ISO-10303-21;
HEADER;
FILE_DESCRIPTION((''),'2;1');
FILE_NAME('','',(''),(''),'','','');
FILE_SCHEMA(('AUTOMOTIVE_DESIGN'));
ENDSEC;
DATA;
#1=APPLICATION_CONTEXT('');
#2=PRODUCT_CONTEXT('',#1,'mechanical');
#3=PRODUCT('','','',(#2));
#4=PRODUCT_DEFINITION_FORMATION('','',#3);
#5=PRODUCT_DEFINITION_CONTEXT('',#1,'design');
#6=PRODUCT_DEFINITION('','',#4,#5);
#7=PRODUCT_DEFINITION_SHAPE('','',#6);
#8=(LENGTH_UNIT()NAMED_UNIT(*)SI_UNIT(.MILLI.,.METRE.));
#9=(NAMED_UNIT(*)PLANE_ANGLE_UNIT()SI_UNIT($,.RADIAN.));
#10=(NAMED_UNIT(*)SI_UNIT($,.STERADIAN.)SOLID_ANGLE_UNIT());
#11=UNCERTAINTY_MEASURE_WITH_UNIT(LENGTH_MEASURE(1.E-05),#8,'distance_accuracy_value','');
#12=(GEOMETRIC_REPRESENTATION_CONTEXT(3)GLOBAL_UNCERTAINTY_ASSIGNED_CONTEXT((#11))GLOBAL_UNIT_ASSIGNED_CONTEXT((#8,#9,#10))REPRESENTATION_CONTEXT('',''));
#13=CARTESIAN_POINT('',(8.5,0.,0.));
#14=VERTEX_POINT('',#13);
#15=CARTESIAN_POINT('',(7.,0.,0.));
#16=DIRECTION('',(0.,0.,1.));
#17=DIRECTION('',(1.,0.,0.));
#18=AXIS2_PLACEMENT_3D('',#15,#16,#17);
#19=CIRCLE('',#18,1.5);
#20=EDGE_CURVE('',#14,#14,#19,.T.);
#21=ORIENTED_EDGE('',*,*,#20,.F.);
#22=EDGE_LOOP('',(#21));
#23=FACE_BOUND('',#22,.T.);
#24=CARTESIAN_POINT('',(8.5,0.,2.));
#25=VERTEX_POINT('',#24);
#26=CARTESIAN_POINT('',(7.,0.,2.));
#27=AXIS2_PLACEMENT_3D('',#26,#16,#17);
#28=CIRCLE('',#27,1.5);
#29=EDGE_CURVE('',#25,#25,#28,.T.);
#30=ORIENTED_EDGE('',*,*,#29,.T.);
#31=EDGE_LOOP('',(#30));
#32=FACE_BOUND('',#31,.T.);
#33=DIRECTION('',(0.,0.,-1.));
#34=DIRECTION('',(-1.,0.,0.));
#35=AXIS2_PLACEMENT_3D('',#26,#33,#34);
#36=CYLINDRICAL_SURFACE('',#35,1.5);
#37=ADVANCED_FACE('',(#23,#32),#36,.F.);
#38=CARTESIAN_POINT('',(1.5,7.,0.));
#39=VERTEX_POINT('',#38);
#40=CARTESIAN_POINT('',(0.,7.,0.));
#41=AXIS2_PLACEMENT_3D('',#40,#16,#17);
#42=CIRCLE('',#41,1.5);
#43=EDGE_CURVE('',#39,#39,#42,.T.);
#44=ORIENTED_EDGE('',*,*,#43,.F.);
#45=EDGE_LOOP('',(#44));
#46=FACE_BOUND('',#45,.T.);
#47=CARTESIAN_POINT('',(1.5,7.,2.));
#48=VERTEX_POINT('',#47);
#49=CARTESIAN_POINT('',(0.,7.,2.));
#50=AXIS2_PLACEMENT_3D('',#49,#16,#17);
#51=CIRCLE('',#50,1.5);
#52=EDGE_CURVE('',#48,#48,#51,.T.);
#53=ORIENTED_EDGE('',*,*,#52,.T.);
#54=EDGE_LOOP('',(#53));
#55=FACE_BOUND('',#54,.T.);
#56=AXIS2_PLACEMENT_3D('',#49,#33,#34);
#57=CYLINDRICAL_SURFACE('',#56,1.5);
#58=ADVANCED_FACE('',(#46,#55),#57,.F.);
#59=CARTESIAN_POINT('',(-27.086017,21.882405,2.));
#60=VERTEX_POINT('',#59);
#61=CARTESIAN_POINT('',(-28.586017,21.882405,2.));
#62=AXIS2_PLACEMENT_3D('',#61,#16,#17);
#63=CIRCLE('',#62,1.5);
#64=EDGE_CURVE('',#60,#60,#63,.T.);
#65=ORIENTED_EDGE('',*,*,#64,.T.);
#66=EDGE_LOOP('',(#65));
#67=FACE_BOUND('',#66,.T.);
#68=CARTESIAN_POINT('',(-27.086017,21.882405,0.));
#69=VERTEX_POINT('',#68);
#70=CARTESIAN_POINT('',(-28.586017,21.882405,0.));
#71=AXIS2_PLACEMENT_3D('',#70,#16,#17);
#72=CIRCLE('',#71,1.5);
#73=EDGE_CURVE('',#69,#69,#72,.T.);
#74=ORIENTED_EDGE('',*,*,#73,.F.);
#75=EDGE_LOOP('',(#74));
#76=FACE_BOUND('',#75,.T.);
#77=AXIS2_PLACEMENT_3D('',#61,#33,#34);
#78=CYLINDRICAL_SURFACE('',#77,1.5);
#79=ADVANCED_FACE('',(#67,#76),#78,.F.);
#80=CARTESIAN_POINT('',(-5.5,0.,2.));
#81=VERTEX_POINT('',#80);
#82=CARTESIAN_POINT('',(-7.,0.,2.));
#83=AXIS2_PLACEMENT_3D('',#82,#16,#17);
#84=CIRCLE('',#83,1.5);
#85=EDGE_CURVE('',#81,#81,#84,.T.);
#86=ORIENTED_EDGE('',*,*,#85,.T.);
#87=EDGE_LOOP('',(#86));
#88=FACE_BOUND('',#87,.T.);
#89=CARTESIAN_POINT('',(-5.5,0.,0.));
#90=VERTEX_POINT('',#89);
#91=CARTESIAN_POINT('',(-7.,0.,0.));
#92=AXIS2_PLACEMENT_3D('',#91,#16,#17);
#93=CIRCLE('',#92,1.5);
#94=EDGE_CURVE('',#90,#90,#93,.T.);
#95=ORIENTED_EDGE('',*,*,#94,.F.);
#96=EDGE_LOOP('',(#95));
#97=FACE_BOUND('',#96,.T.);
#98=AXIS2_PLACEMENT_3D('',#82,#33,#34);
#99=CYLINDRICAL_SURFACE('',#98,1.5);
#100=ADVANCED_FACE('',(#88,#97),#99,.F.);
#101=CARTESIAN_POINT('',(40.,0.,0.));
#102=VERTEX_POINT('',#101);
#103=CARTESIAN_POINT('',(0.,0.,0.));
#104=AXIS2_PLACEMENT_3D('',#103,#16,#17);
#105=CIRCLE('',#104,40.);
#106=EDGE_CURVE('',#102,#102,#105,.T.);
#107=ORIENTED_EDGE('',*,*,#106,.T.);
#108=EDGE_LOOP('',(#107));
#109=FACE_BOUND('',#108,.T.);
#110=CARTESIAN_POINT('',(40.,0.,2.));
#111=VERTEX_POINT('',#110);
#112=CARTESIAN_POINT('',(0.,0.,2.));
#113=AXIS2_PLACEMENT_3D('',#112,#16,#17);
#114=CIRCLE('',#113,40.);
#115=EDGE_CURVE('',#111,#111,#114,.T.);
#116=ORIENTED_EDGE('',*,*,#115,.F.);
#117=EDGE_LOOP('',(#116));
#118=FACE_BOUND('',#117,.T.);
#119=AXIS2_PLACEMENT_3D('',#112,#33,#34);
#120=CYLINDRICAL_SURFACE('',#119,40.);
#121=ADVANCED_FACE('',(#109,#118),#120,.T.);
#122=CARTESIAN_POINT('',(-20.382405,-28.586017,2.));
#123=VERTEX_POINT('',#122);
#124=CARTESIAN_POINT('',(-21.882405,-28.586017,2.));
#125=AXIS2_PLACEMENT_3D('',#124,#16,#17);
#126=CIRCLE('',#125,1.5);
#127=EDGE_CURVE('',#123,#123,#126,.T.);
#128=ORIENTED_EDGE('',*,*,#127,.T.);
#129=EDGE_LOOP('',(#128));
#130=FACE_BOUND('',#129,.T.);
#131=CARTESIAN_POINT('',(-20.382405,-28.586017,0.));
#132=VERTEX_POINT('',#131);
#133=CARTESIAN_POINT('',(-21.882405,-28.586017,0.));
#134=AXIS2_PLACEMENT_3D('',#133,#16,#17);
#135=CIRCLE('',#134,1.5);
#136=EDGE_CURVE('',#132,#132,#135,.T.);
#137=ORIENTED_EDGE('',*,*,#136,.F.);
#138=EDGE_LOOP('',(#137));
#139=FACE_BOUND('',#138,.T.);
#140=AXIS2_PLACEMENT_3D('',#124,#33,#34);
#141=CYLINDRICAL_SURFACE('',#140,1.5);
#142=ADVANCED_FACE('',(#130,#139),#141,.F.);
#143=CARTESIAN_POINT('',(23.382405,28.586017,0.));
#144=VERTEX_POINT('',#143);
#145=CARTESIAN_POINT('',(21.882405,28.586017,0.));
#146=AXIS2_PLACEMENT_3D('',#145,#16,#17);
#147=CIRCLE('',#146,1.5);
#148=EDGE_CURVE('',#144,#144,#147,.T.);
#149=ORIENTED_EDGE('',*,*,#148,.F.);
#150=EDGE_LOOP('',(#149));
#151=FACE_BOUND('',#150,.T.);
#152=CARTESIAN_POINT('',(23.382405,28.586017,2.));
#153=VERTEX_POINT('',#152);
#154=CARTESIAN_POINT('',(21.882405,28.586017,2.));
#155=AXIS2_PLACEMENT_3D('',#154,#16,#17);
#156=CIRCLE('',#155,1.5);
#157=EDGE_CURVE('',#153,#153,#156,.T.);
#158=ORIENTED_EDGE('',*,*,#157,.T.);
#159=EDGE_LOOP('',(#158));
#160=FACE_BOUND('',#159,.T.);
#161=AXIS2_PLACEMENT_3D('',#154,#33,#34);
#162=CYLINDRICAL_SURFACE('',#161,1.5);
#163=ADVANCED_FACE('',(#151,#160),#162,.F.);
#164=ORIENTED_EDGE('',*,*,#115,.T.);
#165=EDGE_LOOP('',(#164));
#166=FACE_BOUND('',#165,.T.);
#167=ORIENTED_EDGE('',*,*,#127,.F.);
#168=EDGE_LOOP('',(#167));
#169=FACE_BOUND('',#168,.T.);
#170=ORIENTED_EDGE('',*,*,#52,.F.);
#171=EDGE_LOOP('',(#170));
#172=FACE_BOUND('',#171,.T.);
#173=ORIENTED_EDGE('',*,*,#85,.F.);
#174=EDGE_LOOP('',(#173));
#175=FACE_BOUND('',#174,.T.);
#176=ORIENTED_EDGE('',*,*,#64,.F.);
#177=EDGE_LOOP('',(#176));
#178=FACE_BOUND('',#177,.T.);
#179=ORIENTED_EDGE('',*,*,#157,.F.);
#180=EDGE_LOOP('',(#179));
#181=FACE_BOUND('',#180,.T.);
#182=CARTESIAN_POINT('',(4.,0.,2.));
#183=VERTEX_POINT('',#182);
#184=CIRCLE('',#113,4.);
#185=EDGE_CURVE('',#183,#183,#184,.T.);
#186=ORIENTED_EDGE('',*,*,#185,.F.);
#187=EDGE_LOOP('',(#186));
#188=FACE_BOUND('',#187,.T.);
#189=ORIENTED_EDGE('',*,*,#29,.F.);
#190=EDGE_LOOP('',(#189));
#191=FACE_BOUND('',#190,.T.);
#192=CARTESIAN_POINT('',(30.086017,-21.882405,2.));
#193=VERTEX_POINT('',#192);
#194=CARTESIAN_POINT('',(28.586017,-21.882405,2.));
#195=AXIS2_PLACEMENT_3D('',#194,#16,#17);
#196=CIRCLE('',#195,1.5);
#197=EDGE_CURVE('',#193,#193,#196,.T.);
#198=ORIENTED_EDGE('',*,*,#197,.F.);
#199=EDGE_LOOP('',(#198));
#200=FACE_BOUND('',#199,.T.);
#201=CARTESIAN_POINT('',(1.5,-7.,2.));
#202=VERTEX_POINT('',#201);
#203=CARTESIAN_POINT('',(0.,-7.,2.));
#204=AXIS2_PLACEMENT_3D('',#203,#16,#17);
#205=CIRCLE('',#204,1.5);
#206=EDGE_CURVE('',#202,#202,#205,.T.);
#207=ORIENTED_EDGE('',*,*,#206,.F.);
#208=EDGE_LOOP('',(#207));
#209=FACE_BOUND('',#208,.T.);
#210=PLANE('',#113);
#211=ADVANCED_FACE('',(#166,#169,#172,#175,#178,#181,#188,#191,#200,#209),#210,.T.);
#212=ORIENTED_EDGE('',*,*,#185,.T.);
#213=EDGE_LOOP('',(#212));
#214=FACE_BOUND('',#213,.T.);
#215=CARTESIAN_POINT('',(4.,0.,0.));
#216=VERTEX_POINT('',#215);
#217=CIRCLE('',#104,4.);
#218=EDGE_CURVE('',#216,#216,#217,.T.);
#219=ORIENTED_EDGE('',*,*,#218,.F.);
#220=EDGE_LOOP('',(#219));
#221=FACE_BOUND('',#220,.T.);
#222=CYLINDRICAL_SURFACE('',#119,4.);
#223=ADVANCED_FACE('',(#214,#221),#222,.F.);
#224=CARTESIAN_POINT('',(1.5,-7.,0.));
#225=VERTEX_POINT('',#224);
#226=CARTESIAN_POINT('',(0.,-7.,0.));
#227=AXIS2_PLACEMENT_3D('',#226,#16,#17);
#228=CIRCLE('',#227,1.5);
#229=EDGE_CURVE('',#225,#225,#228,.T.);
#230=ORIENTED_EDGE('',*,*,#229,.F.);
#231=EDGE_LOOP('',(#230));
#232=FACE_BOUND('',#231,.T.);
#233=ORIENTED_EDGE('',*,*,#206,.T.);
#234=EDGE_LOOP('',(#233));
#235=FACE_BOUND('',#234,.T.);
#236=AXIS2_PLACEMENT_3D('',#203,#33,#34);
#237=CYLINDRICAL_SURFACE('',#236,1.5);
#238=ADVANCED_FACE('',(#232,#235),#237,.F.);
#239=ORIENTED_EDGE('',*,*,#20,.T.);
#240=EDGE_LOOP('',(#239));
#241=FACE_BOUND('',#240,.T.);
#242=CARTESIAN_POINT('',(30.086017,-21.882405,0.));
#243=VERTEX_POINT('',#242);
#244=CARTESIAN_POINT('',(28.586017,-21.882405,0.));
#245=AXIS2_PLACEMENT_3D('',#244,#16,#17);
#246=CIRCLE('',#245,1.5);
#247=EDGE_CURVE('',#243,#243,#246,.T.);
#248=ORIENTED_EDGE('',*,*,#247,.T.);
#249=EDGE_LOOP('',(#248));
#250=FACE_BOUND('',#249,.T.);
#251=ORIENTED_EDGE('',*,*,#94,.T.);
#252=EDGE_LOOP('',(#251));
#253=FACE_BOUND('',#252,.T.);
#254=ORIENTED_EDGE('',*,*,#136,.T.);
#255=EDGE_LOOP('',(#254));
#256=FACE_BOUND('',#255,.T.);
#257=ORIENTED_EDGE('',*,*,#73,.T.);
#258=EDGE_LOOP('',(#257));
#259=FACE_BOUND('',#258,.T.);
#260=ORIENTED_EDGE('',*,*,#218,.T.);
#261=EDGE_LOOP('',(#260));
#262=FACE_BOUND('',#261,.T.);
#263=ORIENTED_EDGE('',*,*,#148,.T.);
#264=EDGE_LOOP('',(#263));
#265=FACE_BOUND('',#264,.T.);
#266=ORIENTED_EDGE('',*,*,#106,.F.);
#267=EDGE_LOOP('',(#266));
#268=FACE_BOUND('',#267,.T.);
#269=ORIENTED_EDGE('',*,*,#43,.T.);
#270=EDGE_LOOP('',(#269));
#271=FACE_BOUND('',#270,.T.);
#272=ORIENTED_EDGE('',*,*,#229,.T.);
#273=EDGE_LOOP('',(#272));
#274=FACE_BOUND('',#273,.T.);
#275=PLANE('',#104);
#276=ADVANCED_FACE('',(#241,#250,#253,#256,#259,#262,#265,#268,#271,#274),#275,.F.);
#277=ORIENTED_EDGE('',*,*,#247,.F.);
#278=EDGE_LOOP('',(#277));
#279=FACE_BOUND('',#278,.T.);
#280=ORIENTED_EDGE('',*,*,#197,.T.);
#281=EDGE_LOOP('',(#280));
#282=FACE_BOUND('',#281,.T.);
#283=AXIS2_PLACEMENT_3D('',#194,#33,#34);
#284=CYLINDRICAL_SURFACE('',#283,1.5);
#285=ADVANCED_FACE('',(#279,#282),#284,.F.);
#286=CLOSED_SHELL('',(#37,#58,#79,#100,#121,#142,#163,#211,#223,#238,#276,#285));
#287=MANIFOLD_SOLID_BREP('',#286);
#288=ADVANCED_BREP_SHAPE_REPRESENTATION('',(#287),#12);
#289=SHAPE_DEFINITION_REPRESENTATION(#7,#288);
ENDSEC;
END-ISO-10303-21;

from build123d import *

# Parameters (mm, degrees)
SKETCH_3_R      = 40
SKETCH_3_R_2    = 4
SKETCH_3_R_3    = 1.5
EXTRUDE_1_DEPTH = 2


with BuildPart() as part:
    # 草图3 → 凸台-拉伸1 (new body)
    with BuildSketch(Plane.XY):
        Circle(SKETCH_3_R)
        Circle(SKETCH_3_R_2, mode=Mode.SUBTRACT)
        with Locations((0, 7)):
            Circle(SKETCH_3_R_3, mode=Mode.SUBTRACT)
        with Locations((0, -7)):
            Circle(SKETCH_3_R_3, mode=Mode.SUBTRACT)
        with Locations((-7, 0)):
            Circle(SKETCH_3_R_3, mode=Mode.SUBTRACT)
        with Locations((7, 0)):
            Circle(SKETCH_3_R_3, mode=Mode.SUBTRACT)
        with Locations((-28.586016786, 21.882404903)):
            Circle(SKETCH_3_R_3, mode=Mode.SUBTRACT)
        with Locations((21.882404903, 28.586016786)):
            Circle(SKETCH_3_R_3, mode=Mode.SUBTRACT)
        with Locations((-21.882404903, -28.586016786)):
            Circle(SKETCH_3_R_3, mode=Mode.SUBTRACT)
        with Locations((28.586016786, -21.882404903)):
            Circle(SKETCH_3_R_3, mode=Mode.SUBTRACT)
    extrude(amount=EXTRUDE_1_DEPTH)


solid = part.part
